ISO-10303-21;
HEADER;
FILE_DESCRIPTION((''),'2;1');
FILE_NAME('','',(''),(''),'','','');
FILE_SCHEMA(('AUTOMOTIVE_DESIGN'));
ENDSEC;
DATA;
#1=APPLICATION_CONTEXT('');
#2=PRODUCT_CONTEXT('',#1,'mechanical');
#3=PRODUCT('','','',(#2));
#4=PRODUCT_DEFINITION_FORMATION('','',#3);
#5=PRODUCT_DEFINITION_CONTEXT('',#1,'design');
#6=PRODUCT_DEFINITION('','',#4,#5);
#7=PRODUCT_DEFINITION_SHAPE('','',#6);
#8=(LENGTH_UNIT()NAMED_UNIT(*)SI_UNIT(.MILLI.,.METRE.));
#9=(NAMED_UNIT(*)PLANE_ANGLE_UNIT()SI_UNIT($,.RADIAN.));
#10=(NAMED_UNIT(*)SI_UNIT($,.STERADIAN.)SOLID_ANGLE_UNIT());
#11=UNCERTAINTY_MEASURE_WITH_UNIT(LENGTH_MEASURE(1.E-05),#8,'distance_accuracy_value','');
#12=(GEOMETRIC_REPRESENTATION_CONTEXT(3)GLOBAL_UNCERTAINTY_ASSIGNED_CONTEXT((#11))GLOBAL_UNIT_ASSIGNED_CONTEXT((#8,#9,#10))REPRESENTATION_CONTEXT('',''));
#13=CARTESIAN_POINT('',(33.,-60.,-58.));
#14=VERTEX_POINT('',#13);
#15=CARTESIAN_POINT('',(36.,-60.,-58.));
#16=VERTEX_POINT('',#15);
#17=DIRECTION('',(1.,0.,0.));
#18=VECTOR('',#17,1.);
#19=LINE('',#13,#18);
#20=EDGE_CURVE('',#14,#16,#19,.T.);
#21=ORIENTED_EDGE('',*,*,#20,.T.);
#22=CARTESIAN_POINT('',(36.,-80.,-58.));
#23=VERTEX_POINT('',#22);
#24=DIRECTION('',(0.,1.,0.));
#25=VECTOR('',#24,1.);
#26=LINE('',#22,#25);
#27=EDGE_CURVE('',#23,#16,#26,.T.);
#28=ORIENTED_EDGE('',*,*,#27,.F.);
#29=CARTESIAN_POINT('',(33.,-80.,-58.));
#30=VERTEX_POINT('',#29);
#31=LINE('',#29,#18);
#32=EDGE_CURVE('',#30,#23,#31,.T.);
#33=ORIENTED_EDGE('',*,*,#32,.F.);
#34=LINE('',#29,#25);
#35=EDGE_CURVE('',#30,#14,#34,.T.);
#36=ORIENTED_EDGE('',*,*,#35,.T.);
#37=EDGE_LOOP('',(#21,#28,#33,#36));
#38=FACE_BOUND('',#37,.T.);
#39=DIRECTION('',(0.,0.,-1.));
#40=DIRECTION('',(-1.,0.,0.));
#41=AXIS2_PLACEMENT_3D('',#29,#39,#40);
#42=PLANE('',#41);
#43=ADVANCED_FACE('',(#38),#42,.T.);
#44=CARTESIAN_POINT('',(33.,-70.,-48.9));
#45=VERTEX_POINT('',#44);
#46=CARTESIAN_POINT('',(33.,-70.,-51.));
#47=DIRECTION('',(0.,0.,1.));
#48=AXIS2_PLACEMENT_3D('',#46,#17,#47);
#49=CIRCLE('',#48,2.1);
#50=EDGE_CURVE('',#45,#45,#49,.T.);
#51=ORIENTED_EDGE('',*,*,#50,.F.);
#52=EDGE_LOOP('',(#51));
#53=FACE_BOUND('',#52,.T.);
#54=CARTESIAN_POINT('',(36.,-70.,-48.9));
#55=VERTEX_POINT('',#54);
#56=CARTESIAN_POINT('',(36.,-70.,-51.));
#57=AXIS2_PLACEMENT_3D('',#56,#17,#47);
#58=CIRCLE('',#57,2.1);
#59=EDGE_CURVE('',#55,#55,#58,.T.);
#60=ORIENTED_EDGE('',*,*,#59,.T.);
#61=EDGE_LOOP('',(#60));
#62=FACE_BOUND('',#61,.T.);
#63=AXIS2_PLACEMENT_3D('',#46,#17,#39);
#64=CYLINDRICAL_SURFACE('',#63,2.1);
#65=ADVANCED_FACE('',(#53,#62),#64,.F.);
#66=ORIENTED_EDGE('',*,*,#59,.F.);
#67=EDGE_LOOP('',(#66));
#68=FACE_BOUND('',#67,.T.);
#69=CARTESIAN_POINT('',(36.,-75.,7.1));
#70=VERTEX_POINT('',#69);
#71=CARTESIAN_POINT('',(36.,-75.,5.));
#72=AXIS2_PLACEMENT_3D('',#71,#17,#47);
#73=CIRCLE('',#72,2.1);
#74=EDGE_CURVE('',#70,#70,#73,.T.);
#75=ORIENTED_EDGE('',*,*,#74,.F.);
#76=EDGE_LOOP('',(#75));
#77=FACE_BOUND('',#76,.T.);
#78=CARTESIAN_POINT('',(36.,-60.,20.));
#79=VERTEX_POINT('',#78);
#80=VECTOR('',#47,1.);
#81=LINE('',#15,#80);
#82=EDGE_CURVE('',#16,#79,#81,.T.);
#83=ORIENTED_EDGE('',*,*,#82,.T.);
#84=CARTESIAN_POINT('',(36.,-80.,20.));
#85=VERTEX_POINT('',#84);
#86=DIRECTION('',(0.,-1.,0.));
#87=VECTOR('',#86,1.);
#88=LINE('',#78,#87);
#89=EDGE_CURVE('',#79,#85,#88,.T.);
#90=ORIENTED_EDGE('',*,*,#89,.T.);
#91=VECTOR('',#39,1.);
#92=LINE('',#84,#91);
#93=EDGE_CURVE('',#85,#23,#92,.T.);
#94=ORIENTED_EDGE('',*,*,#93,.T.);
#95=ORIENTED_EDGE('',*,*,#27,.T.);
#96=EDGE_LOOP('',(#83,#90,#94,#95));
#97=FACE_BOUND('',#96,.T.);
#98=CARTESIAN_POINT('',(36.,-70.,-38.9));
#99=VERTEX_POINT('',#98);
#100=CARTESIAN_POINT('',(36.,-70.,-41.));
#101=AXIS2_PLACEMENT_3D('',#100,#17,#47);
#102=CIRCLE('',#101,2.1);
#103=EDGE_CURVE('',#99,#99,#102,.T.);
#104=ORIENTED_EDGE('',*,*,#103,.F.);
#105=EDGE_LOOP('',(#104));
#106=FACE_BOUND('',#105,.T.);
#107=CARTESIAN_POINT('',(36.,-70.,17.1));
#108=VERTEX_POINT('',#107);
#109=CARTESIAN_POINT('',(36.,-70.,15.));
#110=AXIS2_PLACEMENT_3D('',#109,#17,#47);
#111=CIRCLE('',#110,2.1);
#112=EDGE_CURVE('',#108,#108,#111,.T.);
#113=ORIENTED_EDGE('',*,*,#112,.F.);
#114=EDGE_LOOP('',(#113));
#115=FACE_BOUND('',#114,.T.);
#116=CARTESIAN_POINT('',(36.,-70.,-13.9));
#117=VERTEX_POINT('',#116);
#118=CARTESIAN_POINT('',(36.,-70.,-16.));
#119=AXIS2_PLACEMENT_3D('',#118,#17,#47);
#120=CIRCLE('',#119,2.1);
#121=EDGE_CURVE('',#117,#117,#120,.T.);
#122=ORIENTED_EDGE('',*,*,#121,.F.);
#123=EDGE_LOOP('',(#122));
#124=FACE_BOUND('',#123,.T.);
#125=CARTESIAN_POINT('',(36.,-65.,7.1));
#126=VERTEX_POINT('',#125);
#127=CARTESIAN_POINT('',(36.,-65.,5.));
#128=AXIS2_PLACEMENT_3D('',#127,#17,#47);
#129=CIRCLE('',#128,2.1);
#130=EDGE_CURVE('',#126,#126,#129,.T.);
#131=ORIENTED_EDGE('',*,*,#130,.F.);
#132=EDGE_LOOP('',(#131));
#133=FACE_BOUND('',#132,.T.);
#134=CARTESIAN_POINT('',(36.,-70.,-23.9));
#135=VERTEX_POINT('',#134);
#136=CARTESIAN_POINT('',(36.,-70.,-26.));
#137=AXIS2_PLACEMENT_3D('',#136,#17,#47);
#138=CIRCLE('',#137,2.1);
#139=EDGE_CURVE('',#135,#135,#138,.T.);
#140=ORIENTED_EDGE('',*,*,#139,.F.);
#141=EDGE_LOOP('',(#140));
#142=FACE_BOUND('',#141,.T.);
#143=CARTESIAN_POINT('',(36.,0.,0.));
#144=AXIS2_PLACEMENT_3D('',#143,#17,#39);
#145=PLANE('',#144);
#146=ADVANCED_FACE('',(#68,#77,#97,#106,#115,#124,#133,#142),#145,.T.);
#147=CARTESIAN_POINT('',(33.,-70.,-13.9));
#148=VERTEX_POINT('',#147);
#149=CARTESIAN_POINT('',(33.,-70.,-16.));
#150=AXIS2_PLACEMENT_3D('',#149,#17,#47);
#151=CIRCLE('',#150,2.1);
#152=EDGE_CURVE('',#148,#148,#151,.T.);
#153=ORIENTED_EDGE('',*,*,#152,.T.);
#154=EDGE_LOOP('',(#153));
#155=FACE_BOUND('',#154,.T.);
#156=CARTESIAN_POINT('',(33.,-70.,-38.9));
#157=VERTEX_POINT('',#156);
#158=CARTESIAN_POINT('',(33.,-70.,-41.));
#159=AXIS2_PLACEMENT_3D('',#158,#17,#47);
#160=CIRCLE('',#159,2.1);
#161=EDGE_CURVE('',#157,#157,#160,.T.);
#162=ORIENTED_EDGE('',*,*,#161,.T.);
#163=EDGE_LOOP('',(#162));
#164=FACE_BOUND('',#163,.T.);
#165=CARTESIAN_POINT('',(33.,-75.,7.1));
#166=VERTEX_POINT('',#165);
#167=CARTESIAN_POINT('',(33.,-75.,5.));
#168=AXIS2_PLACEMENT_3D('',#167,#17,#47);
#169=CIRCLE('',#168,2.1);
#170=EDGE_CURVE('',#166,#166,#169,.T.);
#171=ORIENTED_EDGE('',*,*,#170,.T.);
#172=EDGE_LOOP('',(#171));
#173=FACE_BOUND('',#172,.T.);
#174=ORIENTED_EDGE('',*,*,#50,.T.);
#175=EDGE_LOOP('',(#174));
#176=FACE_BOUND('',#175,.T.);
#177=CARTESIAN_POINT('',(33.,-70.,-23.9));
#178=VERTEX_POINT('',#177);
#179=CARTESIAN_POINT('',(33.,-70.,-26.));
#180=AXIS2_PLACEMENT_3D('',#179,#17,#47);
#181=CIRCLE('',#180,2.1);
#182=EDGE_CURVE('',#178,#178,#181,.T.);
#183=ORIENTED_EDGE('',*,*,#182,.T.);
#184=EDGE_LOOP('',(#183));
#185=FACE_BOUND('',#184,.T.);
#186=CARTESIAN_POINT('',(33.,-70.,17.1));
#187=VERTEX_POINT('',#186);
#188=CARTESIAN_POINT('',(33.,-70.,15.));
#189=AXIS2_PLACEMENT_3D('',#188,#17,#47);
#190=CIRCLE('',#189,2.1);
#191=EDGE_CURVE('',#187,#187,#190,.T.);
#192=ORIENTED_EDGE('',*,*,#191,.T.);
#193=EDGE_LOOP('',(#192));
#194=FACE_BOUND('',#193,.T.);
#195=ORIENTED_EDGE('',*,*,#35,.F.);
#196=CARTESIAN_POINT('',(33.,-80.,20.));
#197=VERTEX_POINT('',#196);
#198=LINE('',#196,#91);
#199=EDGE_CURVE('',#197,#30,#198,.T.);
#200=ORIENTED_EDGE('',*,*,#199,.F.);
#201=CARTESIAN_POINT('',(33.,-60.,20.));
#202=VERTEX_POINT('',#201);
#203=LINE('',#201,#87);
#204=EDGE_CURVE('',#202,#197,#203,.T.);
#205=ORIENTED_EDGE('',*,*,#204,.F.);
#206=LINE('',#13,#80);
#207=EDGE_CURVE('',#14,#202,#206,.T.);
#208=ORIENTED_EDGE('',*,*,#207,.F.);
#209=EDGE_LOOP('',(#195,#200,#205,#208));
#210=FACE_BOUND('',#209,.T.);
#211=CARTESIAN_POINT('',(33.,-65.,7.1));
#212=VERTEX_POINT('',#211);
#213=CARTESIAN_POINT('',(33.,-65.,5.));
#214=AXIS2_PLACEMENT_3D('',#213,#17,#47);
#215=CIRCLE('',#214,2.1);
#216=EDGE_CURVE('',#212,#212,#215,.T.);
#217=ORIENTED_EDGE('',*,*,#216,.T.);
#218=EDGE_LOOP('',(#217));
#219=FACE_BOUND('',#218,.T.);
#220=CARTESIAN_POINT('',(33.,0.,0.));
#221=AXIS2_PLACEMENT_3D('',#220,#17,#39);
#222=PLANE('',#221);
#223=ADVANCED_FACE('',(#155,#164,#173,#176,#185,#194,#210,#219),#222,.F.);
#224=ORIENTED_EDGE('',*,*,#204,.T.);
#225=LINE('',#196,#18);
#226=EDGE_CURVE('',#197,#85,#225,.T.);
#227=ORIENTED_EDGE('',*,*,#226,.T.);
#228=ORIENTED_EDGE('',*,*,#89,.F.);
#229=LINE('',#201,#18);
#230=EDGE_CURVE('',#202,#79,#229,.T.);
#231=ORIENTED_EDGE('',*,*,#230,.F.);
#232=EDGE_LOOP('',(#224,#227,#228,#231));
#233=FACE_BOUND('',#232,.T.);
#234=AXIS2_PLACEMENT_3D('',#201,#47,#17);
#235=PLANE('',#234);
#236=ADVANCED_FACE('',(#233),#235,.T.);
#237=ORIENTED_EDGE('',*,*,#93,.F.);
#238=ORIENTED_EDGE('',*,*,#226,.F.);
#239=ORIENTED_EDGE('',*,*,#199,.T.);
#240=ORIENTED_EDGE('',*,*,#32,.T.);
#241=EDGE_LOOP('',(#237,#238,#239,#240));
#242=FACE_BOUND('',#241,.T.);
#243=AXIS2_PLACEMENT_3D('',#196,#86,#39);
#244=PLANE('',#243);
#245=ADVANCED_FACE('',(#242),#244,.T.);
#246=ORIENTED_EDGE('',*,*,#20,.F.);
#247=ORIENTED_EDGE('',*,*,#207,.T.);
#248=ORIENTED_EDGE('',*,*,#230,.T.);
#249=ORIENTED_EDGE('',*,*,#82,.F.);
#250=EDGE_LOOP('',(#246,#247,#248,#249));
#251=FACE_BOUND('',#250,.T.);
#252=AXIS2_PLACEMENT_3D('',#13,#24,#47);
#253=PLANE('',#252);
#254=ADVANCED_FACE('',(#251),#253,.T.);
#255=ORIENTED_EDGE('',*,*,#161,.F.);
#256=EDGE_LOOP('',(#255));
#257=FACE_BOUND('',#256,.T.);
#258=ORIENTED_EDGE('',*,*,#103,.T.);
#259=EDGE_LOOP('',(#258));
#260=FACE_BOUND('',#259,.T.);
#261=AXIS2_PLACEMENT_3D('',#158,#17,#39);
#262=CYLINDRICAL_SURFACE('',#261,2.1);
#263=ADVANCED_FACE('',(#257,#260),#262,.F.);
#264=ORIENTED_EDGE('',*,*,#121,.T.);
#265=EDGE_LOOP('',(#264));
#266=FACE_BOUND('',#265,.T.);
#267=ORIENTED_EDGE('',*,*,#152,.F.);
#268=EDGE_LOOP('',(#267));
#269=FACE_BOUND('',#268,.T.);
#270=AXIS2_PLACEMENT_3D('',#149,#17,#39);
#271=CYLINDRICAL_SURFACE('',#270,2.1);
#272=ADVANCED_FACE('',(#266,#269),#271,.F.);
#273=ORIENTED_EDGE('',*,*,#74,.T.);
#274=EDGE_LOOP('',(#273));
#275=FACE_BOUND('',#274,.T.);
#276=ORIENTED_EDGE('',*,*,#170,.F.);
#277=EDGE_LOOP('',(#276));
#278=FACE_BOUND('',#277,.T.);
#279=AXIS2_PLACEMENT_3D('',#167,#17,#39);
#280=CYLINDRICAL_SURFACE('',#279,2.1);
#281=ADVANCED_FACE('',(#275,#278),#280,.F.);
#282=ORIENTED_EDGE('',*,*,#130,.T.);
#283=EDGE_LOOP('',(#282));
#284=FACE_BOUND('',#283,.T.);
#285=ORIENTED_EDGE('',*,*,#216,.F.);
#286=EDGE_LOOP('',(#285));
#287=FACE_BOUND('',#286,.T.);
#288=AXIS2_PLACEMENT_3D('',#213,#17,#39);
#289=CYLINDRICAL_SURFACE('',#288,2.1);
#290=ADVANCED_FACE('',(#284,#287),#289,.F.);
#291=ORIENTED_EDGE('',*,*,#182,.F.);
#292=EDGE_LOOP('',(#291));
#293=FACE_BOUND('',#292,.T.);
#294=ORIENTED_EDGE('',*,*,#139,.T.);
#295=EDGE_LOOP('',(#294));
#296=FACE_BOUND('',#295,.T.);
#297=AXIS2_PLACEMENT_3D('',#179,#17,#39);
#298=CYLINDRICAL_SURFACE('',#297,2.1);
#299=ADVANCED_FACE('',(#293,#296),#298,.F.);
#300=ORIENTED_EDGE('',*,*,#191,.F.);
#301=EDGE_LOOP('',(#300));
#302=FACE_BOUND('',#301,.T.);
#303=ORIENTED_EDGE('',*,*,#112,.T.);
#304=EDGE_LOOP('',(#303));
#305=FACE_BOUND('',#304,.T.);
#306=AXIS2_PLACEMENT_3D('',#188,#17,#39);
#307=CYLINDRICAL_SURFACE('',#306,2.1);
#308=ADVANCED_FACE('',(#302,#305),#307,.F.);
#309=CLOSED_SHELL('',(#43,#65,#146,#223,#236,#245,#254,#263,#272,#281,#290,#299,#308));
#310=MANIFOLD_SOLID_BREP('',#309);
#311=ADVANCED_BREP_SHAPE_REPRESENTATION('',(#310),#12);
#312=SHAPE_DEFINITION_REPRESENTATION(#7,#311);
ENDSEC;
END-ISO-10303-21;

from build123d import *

# Parameters (mm, degrees)
SKETCH_1_W      = 78
SKETCH_1_H      = 20
SKETCH_1_R      = 2.1
EXTRUDE_1_DEPTH = 3


with BuildPart() as part:
    # 草图1 → 凸台-拉伸1 (new body)
    with BuildSketch(Plane(origin=(36, 0, 0), x_dir=(0, 0, -1), z_dir=(1, 0, 0))):
        with Locations((19, -70)):
            Rectangle(SKETCH_1_W, SKETCH_1_H)
        with Locations(Location((-15, -70, 0), (0, 0, 180))):
            Circle(SKETCH_1_R, mode=Mode.SUBTRACT)
        with Locations(Location((41, -70, 0), (0, 0, 180))):
            Circle(SKETCH_1_R, mode=Mode.SUBTRACT)
        with Locations(Location((51, -70, 0), (0, 0, 180))):
            Circle(SKETCH_1_R, mode=Mode.SUBTRACT)
        with Locations(Location((26, -70, 0), (0, 0, 180))):
            Circle(SKETCH_1_R, mode=Mode.SUBTRACT)
        with Locations(Location((16, -70, 0), (0, 0, 180))):
            Circle(SKETCH_1_R, mode=Mode.SUBTRACT)
        with Locations(Location((-5, -65, 0), (0, 0, 180))):
            Circle(SKETCH_1_R, mode=Mode.SUBTRACT)
        with Locations(Location((-5, -75, 0), (0, 0, 180))):
            Circle(SKETCH_1_R, mode=Mode.SUBTRACT)
    extrude(amount=-EXTRUDE_1_DEPTH)


solid = part.part
